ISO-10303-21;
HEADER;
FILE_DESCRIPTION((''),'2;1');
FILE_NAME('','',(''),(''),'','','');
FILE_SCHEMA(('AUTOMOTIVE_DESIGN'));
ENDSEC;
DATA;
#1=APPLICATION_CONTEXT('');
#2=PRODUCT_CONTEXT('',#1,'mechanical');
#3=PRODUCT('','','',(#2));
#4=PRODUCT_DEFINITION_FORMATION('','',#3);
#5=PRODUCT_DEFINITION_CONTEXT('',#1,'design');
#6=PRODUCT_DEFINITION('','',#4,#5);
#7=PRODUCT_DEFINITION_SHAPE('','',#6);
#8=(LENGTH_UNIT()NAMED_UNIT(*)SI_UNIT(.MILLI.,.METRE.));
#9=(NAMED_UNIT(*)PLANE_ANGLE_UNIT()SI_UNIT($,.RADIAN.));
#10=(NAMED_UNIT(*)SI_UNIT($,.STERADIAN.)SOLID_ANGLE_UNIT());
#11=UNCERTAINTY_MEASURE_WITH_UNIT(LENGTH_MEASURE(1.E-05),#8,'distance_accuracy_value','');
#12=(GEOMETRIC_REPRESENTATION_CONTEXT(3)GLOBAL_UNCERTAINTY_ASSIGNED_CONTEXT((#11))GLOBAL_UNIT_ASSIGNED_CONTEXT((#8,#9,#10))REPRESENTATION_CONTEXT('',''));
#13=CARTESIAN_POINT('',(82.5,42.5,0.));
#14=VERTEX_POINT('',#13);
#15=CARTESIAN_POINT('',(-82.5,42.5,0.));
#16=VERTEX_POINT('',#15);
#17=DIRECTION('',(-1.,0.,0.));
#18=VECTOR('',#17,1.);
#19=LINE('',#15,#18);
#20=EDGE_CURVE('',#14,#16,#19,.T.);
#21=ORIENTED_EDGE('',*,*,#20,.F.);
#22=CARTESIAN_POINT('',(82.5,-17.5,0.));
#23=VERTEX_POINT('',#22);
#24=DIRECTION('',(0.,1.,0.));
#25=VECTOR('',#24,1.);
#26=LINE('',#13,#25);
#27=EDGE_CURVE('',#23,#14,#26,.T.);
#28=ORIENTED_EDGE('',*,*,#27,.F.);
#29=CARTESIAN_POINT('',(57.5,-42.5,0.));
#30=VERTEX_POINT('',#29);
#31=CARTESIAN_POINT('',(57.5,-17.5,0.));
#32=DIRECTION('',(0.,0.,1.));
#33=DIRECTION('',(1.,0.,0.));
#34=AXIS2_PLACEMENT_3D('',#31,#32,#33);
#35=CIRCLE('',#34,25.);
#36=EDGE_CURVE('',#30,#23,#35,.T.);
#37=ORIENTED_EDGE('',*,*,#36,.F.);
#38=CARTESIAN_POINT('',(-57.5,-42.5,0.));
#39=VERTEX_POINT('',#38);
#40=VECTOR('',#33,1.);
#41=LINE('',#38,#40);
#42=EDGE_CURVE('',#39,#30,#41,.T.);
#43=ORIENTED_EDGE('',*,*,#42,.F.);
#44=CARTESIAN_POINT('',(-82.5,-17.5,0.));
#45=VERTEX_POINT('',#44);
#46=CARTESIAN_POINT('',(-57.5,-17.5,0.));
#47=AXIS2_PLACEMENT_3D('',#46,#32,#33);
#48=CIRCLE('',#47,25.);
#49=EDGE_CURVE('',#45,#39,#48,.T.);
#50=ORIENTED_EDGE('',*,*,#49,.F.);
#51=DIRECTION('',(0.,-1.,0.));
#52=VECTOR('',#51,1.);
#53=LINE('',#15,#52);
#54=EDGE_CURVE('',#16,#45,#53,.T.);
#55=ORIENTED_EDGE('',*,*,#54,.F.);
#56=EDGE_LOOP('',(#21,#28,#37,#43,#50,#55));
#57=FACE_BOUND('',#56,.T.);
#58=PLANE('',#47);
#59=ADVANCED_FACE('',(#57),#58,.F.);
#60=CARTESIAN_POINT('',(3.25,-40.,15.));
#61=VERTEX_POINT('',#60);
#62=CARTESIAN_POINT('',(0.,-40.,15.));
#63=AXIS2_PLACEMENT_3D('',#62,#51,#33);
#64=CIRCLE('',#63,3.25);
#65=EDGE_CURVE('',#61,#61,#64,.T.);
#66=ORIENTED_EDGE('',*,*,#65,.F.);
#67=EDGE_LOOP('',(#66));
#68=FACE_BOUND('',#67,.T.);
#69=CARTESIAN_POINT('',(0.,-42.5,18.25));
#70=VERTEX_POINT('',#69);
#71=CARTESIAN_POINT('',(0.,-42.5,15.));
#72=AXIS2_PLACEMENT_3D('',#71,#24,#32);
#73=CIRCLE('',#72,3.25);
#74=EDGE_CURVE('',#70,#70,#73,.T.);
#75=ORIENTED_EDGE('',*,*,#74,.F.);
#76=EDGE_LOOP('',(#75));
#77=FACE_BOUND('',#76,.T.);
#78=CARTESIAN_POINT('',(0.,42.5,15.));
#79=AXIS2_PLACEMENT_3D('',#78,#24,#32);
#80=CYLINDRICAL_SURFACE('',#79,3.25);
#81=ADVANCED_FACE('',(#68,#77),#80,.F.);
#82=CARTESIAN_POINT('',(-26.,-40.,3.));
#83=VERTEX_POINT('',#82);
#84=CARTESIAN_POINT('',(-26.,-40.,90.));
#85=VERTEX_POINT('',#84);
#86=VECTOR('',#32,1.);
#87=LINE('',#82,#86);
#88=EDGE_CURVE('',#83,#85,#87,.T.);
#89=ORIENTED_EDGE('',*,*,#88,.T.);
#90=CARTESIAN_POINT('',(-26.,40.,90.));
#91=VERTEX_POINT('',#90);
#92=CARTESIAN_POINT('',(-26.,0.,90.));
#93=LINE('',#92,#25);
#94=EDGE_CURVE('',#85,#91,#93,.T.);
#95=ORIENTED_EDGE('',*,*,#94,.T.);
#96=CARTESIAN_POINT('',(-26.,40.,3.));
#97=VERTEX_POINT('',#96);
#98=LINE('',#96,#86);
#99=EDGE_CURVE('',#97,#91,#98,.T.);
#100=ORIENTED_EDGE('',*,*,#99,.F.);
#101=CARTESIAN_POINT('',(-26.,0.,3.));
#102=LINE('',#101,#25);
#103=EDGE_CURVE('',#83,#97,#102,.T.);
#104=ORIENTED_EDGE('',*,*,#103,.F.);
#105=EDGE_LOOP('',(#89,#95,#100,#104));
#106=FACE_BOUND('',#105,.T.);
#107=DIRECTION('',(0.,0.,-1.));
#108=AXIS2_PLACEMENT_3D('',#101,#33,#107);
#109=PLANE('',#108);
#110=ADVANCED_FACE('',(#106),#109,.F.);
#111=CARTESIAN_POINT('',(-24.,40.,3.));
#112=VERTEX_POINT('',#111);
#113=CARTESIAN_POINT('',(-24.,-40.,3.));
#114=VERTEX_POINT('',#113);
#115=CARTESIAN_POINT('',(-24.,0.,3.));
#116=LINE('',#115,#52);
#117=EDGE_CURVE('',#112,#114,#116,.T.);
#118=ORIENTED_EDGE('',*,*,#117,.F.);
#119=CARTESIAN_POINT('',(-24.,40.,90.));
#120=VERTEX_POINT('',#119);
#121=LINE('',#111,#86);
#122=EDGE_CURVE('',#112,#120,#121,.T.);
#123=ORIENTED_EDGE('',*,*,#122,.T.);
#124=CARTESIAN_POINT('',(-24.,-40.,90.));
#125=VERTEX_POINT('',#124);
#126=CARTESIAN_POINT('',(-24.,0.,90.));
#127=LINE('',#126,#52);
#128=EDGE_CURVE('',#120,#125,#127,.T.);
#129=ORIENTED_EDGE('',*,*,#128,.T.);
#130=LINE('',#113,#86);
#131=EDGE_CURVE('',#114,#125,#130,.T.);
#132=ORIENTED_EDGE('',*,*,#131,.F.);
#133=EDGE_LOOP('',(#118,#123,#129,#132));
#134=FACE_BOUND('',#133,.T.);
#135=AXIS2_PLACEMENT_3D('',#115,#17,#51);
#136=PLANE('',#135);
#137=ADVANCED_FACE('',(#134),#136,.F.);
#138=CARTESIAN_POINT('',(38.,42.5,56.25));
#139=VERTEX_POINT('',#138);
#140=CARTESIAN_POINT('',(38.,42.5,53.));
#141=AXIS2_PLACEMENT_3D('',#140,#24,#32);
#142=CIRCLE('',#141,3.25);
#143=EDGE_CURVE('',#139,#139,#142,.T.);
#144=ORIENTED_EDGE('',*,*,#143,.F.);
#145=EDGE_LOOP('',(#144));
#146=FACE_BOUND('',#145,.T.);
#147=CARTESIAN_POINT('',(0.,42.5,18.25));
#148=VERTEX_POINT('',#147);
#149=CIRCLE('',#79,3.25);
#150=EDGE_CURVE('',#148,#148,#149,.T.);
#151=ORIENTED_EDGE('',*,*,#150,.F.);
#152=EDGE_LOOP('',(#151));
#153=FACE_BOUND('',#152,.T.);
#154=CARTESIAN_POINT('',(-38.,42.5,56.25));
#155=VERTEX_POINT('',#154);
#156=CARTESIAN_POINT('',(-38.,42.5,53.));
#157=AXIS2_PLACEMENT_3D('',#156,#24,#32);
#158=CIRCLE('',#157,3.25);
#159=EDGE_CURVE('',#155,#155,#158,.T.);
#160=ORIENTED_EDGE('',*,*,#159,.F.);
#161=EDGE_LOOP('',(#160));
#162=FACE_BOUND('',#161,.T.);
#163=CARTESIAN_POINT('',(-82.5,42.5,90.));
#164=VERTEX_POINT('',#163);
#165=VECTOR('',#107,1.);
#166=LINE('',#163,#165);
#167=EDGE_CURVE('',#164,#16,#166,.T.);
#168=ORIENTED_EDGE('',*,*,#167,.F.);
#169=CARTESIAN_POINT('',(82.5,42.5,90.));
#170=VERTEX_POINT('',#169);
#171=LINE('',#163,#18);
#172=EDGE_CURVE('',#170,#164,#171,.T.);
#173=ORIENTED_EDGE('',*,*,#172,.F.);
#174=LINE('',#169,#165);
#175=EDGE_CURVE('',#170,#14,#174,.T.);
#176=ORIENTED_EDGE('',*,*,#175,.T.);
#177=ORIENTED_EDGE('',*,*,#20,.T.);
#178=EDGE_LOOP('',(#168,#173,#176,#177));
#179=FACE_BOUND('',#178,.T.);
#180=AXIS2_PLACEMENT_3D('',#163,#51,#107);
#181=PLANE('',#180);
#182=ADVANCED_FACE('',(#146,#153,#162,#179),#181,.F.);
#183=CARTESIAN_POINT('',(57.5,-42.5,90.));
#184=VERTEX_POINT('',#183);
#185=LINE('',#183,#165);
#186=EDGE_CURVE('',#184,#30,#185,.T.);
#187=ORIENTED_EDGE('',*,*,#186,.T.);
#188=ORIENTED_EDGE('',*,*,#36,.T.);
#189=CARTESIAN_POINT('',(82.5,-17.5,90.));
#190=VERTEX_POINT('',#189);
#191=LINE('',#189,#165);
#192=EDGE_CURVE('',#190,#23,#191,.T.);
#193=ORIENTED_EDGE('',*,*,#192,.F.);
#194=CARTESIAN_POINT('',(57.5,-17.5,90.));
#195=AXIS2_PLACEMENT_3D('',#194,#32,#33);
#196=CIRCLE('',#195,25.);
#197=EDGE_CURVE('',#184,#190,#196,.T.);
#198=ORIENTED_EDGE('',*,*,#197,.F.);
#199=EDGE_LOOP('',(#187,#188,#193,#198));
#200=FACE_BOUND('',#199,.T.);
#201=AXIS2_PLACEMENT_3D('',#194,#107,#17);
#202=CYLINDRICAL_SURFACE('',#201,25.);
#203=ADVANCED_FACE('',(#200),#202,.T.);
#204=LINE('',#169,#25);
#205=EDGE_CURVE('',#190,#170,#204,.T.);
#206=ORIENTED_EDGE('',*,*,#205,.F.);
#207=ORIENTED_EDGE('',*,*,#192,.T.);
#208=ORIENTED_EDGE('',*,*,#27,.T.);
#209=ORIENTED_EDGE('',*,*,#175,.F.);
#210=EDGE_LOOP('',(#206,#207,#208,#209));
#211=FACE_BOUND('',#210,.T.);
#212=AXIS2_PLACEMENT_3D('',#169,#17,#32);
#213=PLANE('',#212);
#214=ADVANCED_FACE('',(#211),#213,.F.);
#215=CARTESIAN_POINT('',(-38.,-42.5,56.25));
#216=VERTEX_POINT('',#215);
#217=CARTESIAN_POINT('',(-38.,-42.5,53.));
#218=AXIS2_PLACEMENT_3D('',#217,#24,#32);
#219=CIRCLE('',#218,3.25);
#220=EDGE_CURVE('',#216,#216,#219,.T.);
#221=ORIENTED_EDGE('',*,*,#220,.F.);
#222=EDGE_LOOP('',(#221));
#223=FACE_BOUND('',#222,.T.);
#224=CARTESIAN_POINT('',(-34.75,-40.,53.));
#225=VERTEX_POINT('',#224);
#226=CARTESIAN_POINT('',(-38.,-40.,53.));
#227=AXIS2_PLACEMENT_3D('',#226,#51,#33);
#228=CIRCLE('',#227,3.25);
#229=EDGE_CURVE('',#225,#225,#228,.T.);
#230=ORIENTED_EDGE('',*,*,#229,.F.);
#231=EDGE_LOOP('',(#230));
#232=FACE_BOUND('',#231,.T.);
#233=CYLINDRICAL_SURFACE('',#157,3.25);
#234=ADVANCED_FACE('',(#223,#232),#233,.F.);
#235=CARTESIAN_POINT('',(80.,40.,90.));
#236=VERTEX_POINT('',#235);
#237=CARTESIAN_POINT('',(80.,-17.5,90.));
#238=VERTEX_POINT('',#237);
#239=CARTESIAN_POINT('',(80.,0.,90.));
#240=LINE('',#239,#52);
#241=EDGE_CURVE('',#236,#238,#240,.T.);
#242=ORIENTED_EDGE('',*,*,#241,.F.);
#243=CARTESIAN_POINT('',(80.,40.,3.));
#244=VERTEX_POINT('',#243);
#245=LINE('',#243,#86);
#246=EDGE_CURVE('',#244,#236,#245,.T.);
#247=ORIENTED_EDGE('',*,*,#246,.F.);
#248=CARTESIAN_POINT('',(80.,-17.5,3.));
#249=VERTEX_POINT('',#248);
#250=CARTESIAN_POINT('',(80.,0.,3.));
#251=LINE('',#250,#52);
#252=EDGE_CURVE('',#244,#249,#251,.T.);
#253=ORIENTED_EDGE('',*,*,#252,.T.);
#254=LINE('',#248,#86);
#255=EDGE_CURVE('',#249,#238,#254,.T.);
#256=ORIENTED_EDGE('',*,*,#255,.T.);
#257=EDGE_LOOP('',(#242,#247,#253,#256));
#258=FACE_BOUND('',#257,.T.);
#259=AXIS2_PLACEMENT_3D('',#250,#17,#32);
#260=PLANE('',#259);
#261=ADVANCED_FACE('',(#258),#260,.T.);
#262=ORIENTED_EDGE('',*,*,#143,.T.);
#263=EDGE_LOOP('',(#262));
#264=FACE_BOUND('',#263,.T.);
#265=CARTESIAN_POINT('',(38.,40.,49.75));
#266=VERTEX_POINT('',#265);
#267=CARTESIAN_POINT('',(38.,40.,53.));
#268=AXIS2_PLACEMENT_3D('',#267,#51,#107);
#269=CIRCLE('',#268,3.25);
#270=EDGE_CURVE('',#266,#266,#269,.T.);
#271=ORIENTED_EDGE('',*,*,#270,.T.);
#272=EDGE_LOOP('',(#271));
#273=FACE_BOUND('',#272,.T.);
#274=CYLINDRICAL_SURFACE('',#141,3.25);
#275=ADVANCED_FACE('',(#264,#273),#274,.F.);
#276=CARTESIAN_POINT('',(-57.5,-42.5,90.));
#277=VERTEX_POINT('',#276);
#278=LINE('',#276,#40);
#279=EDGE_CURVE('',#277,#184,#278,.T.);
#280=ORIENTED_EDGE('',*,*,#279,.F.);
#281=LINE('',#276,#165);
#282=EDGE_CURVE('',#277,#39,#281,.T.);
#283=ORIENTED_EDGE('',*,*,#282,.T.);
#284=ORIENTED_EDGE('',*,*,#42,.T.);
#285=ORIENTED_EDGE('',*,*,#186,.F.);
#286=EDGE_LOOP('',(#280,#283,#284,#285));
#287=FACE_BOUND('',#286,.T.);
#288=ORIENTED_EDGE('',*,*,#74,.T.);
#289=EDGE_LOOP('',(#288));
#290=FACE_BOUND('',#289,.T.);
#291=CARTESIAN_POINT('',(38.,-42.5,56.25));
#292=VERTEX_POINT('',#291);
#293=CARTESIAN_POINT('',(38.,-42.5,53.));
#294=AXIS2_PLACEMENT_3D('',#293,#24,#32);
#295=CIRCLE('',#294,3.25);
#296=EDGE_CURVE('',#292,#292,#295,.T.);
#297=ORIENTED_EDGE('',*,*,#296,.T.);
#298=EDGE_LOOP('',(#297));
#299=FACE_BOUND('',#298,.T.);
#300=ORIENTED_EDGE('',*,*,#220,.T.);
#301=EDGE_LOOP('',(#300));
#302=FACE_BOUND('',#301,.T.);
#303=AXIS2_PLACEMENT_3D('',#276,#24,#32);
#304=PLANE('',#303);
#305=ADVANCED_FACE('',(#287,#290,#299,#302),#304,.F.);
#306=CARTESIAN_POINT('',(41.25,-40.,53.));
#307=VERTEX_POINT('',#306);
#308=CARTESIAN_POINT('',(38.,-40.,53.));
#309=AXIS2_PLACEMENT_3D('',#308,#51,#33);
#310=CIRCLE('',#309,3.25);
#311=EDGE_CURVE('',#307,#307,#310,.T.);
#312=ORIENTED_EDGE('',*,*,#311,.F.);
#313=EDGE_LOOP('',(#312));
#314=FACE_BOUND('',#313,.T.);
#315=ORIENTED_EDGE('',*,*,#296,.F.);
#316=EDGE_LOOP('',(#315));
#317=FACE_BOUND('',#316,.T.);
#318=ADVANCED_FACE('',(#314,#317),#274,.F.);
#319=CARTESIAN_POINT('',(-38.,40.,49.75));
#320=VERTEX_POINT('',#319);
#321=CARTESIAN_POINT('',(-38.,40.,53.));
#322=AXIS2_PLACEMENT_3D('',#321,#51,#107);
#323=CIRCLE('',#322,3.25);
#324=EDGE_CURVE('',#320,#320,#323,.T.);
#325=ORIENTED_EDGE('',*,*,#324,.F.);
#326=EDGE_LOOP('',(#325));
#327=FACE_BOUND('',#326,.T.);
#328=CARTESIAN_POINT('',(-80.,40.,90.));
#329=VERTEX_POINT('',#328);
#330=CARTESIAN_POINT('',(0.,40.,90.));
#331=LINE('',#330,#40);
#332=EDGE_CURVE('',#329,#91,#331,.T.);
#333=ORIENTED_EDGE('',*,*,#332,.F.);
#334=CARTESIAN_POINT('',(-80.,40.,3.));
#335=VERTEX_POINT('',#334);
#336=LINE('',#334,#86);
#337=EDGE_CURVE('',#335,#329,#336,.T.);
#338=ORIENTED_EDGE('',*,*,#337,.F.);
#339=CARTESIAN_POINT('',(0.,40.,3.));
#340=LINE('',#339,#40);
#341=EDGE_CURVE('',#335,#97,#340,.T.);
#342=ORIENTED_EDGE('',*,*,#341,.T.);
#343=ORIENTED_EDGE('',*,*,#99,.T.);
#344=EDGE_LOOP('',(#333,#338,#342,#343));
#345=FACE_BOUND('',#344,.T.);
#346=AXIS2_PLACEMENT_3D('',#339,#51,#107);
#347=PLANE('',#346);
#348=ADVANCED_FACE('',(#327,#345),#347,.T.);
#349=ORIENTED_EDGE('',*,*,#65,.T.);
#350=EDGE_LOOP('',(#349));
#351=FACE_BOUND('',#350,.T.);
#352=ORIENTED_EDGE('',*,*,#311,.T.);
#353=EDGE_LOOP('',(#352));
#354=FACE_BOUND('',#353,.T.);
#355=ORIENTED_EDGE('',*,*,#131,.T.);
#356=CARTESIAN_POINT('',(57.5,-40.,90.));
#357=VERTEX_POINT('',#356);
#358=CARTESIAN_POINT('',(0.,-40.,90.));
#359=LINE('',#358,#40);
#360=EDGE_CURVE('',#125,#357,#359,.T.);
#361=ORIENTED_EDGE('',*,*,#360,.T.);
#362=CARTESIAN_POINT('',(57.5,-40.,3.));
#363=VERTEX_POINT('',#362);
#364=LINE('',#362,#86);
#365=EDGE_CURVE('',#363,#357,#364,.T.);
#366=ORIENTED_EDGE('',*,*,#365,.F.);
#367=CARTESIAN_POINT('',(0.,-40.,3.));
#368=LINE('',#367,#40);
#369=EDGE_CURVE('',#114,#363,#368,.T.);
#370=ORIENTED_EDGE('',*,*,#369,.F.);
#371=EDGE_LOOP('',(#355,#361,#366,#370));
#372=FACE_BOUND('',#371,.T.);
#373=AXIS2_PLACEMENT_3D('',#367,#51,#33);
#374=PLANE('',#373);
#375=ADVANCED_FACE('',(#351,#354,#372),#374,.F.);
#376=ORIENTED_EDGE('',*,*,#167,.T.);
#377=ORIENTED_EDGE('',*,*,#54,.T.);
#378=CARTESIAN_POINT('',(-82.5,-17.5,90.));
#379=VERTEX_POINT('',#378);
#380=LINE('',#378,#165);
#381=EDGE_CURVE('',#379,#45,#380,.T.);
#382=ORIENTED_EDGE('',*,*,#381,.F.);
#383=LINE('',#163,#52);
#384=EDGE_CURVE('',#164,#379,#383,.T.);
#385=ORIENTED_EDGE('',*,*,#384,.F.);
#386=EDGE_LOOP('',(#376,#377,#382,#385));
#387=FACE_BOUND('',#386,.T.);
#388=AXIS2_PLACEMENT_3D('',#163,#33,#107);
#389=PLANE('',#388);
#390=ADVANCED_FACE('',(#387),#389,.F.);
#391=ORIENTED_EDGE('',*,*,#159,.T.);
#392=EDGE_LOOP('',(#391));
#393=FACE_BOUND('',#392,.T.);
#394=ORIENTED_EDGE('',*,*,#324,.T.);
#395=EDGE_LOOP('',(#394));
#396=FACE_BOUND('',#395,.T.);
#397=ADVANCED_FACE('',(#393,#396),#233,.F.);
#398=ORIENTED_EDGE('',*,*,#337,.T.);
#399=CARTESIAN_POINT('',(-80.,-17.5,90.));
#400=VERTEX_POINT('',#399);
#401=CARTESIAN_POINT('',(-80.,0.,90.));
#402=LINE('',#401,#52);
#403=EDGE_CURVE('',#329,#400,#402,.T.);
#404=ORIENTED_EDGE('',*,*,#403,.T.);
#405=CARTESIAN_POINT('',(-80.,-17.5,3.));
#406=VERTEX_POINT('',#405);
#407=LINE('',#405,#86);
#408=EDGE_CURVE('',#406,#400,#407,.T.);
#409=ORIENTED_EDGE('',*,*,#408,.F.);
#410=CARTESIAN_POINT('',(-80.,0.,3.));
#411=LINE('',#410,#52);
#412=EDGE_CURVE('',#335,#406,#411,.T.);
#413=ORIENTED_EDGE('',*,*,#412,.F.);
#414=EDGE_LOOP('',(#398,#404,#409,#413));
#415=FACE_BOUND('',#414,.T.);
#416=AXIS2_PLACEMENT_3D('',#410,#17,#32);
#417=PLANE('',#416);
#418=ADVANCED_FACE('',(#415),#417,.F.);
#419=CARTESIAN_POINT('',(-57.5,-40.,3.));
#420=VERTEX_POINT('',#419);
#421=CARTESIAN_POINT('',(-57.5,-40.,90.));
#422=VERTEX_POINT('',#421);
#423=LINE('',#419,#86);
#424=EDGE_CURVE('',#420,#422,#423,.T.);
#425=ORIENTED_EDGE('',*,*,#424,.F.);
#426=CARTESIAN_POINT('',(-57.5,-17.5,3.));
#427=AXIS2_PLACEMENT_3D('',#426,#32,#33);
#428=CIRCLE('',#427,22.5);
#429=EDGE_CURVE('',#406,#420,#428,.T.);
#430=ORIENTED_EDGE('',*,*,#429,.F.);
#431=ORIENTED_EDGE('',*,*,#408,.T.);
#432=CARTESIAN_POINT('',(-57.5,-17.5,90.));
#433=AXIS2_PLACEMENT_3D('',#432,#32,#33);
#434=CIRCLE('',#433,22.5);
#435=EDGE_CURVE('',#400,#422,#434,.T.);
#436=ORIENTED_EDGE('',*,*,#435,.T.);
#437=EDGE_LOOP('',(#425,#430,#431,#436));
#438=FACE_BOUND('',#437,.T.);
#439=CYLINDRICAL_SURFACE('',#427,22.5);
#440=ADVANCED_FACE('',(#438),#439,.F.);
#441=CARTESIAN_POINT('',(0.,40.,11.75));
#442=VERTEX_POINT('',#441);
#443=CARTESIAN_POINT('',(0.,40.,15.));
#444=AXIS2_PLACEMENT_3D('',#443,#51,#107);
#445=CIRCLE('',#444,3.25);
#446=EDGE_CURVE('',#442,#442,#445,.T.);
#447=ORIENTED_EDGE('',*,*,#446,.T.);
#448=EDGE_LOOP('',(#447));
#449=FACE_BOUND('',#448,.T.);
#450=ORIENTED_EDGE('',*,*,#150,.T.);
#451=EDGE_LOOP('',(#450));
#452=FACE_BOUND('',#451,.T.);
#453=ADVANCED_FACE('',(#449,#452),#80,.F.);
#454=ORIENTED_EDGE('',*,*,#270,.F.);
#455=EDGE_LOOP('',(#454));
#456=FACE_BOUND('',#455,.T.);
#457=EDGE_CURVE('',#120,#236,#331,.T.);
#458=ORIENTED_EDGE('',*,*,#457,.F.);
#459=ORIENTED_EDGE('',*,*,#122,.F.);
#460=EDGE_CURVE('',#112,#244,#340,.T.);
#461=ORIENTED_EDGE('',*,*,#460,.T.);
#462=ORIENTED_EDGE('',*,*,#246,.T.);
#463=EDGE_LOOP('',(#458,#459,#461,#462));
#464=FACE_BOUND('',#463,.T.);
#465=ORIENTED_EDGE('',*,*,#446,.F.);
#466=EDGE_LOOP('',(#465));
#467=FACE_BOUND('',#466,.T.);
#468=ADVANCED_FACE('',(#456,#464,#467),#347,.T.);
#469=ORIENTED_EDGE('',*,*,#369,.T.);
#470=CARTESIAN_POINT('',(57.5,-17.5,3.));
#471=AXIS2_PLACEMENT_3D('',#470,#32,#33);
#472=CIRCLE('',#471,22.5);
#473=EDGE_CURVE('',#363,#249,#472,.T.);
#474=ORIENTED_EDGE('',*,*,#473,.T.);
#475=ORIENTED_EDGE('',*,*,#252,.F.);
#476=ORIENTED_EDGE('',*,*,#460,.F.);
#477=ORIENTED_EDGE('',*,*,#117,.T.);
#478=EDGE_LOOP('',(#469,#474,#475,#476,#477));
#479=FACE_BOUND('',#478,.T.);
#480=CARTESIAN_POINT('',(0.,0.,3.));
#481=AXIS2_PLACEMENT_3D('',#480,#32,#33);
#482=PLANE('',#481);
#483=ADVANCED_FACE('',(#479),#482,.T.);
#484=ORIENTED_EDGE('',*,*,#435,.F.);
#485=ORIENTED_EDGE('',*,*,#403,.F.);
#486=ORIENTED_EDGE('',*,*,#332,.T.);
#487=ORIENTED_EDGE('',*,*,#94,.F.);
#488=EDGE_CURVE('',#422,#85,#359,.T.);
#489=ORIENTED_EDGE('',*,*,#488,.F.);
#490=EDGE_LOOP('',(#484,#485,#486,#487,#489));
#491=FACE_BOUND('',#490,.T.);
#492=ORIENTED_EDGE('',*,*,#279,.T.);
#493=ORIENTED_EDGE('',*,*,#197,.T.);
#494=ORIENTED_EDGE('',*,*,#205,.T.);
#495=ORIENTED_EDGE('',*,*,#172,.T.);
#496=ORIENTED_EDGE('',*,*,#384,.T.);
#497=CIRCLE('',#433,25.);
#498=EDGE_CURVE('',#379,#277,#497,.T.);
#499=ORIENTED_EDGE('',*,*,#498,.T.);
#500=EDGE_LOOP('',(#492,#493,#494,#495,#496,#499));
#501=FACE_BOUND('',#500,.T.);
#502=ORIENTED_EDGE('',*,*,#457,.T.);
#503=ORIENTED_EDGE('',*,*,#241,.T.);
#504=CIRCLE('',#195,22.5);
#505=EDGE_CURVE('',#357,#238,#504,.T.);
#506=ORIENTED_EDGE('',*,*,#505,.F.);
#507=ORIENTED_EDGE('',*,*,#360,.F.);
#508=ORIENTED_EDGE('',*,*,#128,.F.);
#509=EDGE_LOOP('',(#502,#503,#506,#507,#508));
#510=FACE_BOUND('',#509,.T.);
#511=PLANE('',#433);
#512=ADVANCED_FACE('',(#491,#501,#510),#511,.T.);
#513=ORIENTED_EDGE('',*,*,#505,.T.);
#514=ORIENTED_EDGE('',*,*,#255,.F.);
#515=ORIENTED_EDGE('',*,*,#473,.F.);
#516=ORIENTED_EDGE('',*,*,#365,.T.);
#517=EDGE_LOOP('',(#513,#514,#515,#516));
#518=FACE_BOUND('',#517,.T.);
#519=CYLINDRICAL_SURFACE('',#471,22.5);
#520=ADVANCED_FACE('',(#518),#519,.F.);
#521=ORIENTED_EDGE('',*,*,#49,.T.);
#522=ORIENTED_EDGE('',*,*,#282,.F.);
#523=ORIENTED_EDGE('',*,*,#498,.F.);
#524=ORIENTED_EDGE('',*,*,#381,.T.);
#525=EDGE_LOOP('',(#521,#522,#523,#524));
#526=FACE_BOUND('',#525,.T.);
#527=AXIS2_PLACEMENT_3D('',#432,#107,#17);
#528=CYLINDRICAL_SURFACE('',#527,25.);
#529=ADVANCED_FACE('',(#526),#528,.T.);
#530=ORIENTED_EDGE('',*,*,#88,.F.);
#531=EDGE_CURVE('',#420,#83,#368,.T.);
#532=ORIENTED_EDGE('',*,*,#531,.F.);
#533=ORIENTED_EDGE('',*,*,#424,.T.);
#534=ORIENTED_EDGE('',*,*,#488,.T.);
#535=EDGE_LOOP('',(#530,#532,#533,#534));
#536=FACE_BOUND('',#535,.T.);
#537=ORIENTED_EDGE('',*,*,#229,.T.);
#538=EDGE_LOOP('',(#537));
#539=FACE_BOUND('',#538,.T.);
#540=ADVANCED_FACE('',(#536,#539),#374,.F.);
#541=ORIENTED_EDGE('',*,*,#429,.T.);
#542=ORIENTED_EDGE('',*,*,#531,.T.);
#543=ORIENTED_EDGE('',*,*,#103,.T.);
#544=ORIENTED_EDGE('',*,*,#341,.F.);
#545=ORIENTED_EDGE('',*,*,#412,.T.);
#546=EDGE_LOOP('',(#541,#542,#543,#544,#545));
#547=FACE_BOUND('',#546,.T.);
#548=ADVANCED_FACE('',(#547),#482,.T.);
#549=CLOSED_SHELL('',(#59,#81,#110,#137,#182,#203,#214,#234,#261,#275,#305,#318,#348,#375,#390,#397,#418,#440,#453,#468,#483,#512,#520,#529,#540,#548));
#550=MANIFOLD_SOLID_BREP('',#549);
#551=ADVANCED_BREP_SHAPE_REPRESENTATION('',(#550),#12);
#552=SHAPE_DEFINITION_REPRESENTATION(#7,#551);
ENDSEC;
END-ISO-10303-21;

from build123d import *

# Parameters (mm, degrees)
P_IDAT_VYSUNUT_M1_DEPTH       = 90
ODEBRAT_VYSUNUT_M1_DEPTH      = 87
D_RY_PRO_KOL_K_VELIKOST_MM1_D = 6.5


with BuildPart() as part:
    # Skica1 → Přidat vysunutím1 (new body)
    with BuildSketch(Plane.XY):
        with BuildLine():
            Line((-82.5, 42.5), (82.5, 42.5))
            Line((82.5, 42.5), (82.5, -17.5))
            ThreePointArc((82.5, -17.5), (75.17766953, -35.17766953), (57.5, -42.5))
            Line((57.5, -42.5), (-57.5, -42.5))
            ThreePointArc((-57.5, -42.5), (-75.17766953, -35.17766953), (-82.5, -17.5))
            Line((-82.5, -17.5), (-82.5, 42.5))
        make_face()
    extrude(amount=P_IDAT_VYSUNUT_M1_DEPTH)

    # Skica2 → Odebrat vysunutím1 (cut)
    with BuildSketch(Plane.XY.offset(90)):
        with BuildLine():
            Line((80, -17.5), (80, 40))
            Line((80, 40), (-24, 40))
            Line((-24, 40), (-24, -40))
            Line((-24, -40), (57.5, -40))
            ThreePointArc((57.5, -40), (73.409902577, -33.409902577), (80, -17.5))
        make_face()
        with BuildLine():
            Line((-26, -40), (-26, 40))
            Line((-26, 40), (-80, 40))
            Line((-80, 40), (-80, -17.5))
            ThreePointArc((-80, -17.5), (-73.409902577, -33.409902577), (-57.5, -40))
            Line((-57.5, -40), (-26, -40))
        make_face()
    extrude(amount=-ODEBRAT_VYSUNUT_M1_DEPTH, mode=Mode.SUBTRACT)

    # Díry pro kolík, velikost mm1 (through all)
    with Locations(Plane(origin=(0, 42.5, 0), x_dir=(1, 0, 0), z_dir=(0, 1, 0))):
        with Locations((0, -15), (38, -53), (-38, -53)):
            Hole(D_RY_PRO_KOL_K_VELIKOST_MM1_D / 2)


solid = part.part
